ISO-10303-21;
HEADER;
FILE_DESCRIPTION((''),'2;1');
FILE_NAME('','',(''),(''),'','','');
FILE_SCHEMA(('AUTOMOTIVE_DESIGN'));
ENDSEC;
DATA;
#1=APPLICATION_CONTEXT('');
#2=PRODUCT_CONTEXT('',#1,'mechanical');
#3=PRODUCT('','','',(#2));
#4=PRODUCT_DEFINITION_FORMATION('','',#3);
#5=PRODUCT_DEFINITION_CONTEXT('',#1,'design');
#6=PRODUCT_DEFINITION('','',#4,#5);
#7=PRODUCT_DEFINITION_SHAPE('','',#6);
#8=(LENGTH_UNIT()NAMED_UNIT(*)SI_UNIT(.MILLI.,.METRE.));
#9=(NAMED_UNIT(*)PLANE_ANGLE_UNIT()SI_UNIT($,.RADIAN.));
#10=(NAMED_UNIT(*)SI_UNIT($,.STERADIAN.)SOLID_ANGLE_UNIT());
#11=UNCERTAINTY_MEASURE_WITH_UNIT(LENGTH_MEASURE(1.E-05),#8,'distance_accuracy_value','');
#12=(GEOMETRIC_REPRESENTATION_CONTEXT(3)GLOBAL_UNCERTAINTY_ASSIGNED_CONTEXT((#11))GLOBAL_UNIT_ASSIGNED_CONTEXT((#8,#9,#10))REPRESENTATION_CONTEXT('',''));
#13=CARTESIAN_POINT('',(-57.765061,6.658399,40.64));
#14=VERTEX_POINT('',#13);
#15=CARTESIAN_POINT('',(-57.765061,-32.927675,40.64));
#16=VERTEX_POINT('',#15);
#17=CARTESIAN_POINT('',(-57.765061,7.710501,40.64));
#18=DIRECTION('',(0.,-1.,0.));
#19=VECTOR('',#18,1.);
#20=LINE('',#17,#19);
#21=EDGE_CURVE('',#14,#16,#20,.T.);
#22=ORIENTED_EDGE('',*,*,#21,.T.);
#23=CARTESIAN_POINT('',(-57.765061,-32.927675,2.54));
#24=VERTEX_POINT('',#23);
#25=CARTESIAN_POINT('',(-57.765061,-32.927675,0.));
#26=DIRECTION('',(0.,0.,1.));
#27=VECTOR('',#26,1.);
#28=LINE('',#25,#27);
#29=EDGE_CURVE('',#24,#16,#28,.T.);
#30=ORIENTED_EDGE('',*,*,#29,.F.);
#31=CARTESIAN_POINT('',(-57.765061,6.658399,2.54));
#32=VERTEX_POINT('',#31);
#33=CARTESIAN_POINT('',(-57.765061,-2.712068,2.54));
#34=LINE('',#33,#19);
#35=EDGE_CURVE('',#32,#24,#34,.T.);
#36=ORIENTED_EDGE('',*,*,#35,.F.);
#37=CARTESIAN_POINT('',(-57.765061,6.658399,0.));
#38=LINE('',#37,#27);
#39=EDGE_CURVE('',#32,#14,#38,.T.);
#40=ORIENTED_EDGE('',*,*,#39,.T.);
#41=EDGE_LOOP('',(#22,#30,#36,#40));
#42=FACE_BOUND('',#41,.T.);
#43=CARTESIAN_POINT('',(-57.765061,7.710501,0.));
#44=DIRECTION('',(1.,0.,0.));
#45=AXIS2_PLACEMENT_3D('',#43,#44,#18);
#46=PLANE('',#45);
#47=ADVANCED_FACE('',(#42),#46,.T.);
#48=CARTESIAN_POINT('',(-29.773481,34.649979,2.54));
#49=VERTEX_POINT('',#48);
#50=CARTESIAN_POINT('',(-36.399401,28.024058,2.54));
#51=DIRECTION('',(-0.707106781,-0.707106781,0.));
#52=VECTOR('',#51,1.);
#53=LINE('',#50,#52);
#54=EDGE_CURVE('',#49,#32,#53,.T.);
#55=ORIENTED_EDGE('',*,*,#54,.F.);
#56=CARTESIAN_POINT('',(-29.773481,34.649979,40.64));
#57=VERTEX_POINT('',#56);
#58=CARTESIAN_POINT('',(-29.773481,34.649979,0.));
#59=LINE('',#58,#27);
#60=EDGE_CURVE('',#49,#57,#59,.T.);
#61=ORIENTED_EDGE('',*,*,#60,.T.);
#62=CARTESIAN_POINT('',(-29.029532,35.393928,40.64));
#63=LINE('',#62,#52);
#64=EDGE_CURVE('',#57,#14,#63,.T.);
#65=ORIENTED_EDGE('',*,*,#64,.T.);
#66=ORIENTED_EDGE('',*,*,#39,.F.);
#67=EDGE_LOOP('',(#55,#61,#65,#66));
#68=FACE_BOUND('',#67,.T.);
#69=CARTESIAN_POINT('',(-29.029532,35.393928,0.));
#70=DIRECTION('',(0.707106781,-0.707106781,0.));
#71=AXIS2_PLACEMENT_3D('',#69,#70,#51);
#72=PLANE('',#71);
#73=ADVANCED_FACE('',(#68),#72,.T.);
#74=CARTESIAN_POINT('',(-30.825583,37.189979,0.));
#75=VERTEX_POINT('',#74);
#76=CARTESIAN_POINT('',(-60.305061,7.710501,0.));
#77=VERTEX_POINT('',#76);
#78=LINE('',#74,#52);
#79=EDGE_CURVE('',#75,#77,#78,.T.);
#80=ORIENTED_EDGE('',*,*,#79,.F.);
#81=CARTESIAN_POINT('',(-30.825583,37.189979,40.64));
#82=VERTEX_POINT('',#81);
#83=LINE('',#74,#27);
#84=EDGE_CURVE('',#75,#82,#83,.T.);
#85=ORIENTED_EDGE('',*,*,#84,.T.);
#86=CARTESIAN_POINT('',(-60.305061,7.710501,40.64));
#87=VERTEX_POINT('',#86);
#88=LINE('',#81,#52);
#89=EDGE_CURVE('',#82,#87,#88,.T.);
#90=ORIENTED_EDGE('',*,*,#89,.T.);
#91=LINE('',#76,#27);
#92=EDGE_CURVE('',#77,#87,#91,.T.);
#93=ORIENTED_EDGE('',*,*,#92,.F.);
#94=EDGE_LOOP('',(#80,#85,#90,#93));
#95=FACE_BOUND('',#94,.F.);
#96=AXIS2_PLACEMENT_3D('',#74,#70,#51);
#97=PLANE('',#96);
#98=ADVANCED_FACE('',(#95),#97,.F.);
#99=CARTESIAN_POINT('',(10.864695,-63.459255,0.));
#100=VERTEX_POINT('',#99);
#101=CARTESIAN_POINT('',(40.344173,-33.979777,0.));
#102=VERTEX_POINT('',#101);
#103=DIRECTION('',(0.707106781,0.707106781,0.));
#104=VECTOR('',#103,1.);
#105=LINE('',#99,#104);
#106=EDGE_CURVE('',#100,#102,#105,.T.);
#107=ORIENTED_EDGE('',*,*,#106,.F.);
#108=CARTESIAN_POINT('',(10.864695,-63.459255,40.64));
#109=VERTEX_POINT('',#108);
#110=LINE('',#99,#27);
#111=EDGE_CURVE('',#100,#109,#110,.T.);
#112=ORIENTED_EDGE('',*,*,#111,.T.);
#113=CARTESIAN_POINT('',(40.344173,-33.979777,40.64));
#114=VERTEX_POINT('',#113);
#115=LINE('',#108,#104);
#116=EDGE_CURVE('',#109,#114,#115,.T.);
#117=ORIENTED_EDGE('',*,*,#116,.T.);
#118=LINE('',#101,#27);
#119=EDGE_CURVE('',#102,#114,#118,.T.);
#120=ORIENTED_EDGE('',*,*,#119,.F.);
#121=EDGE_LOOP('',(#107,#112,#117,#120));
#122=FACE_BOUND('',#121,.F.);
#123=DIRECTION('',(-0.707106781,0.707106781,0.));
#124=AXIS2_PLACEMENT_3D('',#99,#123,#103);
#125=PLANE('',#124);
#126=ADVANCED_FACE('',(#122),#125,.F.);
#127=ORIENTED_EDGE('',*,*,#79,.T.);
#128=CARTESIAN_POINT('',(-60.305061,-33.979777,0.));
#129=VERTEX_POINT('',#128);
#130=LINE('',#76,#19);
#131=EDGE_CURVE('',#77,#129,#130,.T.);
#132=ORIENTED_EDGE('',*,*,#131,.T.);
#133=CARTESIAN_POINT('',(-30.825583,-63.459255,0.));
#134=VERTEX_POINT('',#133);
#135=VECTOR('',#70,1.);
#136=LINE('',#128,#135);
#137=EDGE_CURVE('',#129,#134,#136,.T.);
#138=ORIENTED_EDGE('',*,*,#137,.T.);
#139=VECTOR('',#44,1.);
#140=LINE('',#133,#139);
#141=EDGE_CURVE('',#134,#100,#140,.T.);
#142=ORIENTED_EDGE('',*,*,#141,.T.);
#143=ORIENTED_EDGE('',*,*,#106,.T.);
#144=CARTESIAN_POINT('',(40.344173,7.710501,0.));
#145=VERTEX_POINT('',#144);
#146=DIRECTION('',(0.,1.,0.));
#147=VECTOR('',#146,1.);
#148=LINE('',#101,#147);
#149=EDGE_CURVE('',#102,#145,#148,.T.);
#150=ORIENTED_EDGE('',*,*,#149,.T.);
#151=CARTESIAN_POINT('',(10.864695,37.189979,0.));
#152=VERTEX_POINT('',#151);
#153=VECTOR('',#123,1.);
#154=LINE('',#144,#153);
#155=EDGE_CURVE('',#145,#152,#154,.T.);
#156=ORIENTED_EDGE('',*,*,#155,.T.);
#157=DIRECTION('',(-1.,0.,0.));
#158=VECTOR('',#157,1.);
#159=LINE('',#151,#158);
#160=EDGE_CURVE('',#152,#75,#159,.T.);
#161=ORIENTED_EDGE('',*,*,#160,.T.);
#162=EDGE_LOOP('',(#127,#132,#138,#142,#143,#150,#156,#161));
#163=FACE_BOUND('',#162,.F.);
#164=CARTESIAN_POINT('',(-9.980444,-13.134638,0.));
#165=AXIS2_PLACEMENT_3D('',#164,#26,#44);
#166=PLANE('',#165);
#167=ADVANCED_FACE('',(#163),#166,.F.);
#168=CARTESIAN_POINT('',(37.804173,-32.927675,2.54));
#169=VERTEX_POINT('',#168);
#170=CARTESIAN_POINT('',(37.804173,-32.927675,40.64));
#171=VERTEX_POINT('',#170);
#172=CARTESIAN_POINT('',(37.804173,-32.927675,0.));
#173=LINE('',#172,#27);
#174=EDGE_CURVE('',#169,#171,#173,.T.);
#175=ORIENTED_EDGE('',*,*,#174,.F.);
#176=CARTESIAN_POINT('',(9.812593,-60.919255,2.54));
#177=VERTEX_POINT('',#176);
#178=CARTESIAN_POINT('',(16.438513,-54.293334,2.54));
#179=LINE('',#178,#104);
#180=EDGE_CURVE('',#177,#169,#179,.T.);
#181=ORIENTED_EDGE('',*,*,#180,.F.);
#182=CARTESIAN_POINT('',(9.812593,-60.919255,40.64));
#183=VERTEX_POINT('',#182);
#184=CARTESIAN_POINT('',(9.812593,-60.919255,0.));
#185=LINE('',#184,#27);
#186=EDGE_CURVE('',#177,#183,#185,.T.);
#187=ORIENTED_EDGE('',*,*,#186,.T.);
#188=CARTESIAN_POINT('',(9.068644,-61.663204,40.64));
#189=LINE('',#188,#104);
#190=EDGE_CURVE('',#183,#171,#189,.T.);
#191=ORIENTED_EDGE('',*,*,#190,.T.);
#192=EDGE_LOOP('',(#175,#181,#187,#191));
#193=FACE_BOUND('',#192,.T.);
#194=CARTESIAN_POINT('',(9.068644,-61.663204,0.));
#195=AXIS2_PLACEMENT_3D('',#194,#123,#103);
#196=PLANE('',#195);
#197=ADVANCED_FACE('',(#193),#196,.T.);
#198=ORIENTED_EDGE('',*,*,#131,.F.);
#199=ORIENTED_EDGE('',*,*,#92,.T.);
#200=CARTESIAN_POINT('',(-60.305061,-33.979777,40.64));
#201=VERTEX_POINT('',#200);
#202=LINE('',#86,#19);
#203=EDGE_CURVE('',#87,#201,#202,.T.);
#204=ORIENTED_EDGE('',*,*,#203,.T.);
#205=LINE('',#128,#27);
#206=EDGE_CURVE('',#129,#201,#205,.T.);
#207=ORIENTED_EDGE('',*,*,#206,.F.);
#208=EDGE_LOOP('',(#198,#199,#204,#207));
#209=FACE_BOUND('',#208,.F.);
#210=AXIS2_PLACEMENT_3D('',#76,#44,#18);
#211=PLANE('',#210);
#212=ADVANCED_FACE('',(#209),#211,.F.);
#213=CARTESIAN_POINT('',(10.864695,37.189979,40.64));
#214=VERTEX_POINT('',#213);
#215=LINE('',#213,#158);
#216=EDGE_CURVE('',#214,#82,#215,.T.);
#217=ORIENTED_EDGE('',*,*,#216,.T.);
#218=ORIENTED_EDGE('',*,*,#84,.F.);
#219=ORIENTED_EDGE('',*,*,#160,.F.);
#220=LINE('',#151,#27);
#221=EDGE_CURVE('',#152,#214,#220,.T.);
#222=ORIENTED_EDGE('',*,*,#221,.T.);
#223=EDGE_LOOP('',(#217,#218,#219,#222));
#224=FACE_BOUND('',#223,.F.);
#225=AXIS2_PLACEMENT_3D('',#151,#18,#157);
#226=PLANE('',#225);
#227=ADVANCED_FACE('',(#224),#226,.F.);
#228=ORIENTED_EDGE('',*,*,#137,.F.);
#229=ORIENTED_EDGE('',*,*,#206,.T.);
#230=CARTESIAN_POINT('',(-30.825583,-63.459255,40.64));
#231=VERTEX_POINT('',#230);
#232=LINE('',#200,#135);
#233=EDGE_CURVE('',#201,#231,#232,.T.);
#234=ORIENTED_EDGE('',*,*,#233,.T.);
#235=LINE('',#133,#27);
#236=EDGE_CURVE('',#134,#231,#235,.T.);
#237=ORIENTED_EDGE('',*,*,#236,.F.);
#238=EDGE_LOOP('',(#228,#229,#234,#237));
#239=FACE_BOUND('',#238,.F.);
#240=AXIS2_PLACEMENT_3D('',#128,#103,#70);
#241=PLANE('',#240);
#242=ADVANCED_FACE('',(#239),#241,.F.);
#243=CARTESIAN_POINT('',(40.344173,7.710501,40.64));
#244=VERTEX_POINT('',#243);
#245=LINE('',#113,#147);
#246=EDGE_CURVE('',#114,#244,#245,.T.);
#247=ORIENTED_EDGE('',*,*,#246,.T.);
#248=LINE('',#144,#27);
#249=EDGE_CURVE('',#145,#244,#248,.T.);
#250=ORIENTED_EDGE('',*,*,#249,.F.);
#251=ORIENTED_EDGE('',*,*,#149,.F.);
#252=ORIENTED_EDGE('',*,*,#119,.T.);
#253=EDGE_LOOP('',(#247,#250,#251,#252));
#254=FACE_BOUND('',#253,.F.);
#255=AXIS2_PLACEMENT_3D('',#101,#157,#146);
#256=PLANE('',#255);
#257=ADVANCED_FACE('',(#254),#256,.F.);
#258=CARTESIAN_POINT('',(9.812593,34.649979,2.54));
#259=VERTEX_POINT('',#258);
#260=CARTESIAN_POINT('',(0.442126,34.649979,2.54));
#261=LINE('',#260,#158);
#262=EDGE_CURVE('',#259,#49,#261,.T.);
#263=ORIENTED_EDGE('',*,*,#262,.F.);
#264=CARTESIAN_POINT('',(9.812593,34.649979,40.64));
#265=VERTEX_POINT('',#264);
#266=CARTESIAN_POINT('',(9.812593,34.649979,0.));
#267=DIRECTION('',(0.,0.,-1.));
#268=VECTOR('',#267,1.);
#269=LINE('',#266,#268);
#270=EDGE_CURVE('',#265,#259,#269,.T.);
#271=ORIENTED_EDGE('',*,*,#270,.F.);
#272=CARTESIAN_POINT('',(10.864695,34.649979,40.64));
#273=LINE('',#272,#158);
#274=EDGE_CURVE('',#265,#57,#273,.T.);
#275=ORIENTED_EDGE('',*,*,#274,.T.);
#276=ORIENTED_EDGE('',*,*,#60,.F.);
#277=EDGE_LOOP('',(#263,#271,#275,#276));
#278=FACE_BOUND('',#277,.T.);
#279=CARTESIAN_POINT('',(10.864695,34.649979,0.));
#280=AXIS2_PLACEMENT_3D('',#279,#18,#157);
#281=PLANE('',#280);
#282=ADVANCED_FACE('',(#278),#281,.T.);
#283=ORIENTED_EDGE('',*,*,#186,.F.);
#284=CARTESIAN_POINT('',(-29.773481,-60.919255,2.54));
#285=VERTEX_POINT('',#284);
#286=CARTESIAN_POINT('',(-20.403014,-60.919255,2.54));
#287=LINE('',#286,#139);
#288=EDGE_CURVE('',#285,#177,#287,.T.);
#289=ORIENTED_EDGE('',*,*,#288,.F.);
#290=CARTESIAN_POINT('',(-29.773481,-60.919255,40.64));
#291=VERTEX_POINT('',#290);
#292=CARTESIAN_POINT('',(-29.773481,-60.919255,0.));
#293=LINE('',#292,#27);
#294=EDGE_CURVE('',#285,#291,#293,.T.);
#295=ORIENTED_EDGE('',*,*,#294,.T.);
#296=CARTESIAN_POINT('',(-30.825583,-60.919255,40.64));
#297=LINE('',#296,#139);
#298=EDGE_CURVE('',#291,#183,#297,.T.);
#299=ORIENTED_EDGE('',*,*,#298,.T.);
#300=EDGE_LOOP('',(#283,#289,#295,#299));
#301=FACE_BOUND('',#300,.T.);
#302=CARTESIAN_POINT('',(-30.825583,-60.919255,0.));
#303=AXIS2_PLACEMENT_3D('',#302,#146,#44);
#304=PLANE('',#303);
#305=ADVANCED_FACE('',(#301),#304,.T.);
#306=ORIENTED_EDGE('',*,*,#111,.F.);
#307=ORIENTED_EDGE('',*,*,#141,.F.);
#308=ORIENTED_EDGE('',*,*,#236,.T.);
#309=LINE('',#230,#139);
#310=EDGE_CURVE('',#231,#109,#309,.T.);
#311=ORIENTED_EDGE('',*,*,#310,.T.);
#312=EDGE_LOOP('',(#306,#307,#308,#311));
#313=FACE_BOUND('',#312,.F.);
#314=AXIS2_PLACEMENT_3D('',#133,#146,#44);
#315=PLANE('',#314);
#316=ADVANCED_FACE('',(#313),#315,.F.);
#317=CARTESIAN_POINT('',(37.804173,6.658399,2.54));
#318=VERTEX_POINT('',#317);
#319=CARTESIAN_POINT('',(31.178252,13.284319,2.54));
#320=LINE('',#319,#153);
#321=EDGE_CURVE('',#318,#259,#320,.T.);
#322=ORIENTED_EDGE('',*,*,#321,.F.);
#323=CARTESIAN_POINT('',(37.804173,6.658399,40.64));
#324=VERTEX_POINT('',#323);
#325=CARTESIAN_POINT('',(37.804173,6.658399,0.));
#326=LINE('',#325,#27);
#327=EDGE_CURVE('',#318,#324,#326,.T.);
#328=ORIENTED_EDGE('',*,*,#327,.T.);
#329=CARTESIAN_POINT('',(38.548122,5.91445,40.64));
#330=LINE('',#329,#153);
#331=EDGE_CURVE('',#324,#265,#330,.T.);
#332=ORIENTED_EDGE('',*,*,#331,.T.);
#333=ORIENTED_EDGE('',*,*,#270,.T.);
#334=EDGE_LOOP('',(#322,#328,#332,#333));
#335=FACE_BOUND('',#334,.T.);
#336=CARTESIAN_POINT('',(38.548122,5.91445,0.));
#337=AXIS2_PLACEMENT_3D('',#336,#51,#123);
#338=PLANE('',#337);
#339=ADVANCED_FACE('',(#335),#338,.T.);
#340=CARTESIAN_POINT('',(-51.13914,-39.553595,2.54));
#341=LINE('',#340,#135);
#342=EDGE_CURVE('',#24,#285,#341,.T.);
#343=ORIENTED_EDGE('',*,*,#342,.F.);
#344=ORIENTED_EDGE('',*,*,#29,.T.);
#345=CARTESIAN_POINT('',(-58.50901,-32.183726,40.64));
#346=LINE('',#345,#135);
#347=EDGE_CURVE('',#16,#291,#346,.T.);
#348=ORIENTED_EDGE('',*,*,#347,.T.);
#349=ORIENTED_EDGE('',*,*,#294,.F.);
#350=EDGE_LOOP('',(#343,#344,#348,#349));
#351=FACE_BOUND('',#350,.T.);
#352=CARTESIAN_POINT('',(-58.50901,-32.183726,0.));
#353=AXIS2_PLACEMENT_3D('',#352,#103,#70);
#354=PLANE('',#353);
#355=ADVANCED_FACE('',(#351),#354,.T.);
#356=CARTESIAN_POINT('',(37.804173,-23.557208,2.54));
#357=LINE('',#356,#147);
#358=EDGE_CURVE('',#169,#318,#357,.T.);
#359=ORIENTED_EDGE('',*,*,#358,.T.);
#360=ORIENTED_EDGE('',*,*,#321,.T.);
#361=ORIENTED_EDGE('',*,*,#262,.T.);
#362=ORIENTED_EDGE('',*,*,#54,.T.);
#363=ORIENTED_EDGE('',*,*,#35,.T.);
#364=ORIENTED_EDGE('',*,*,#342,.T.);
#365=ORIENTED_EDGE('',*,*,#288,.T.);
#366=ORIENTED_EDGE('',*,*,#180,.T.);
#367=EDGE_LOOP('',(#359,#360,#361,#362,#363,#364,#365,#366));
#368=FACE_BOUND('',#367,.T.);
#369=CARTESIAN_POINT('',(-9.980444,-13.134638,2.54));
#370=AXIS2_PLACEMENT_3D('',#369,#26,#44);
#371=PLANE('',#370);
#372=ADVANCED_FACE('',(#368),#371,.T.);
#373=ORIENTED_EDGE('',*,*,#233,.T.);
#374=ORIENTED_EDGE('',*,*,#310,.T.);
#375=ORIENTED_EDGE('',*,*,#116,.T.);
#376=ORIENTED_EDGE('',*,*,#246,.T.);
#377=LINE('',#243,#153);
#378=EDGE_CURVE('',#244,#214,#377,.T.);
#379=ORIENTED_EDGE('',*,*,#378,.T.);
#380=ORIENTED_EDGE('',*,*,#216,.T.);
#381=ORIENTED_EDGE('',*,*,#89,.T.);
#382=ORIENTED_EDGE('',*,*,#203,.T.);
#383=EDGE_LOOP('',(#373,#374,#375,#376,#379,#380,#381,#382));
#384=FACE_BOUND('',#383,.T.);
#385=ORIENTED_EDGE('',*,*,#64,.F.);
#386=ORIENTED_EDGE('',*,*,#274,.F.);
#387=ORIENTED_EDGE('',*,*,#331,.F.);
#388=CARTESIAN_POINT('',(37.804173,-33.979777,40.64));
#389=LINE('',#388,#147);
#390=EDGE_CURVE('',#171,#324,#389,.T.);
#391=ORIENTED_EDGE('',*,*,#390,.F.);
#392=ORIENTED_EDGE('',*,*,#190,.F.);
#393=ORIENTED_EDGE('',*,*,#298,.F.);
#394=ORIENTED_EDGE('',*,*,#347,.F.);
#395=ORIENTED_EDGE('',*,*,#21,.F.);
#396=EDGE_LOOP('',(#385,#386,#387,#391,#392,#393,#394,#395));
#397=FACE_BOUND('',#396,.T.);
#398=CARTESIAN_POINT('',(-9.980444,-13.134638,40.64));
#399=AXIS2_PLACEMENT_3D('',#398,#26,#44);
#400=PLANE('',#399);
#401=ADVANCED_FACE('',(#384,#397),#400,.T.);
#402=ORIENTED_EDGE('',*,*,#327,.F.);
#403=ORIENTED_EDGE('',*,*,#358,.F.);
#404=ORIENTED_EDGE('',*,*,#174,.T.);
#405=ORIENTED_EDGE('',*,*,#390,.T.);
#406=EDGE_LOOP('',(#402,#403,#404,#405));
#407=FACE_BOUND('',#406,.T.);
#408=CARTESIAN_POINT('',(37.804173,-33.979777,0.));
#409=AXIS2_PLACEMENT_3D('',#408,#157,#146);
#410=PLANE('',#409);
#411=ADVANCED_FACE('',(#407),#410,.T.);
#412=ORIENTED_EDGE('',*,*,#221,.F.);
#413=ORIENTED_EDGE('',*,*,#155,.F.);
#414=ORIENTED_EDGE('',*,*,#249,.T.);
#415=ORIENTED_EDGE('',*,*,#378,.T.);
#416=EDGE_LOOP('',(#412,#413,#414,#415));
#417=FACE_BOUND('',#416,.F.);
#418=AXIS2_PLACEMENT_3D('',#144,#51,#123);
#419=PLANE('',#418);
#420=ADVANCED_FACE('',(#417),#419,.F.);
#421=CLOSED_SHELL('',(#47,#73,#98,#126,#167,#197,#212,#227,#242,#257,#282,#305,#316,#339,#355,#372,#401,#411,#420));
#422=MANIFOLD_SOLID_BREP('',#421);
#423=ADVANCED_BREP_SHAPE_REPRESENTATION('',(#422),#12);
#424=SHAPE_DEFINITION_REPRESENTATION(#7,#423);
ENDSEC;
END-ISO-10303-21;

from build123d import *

# Parameters (mm, degrees)
F1_DEPTH = 40.64
F2_T     = -2.54


with BuildPart() as f1:
    # F0 (on Top) → F1 (new body)
    with BuildSketch(Plane.XY):
        Polygon((10.864695, 37.189979), (-30.825583, 37.189979), (-60.305061, 7.710501), (-60.305061, -33.979777), (-30.825583, -63.459255), (10.864695, -63.459255), (40.344173, -33.979777), (40.344173, 7.710501), align=None)
    extrude(amount=F1_DEPTH)

    # F2
    f2_openings = [f1.faces().sort_by_distance(p)[0] for p in [
        (-9.980444, -13.134638, 40.64),
    ]]
    offset(amount=F2_T, openings=f2_openings)


solid = f1.part
